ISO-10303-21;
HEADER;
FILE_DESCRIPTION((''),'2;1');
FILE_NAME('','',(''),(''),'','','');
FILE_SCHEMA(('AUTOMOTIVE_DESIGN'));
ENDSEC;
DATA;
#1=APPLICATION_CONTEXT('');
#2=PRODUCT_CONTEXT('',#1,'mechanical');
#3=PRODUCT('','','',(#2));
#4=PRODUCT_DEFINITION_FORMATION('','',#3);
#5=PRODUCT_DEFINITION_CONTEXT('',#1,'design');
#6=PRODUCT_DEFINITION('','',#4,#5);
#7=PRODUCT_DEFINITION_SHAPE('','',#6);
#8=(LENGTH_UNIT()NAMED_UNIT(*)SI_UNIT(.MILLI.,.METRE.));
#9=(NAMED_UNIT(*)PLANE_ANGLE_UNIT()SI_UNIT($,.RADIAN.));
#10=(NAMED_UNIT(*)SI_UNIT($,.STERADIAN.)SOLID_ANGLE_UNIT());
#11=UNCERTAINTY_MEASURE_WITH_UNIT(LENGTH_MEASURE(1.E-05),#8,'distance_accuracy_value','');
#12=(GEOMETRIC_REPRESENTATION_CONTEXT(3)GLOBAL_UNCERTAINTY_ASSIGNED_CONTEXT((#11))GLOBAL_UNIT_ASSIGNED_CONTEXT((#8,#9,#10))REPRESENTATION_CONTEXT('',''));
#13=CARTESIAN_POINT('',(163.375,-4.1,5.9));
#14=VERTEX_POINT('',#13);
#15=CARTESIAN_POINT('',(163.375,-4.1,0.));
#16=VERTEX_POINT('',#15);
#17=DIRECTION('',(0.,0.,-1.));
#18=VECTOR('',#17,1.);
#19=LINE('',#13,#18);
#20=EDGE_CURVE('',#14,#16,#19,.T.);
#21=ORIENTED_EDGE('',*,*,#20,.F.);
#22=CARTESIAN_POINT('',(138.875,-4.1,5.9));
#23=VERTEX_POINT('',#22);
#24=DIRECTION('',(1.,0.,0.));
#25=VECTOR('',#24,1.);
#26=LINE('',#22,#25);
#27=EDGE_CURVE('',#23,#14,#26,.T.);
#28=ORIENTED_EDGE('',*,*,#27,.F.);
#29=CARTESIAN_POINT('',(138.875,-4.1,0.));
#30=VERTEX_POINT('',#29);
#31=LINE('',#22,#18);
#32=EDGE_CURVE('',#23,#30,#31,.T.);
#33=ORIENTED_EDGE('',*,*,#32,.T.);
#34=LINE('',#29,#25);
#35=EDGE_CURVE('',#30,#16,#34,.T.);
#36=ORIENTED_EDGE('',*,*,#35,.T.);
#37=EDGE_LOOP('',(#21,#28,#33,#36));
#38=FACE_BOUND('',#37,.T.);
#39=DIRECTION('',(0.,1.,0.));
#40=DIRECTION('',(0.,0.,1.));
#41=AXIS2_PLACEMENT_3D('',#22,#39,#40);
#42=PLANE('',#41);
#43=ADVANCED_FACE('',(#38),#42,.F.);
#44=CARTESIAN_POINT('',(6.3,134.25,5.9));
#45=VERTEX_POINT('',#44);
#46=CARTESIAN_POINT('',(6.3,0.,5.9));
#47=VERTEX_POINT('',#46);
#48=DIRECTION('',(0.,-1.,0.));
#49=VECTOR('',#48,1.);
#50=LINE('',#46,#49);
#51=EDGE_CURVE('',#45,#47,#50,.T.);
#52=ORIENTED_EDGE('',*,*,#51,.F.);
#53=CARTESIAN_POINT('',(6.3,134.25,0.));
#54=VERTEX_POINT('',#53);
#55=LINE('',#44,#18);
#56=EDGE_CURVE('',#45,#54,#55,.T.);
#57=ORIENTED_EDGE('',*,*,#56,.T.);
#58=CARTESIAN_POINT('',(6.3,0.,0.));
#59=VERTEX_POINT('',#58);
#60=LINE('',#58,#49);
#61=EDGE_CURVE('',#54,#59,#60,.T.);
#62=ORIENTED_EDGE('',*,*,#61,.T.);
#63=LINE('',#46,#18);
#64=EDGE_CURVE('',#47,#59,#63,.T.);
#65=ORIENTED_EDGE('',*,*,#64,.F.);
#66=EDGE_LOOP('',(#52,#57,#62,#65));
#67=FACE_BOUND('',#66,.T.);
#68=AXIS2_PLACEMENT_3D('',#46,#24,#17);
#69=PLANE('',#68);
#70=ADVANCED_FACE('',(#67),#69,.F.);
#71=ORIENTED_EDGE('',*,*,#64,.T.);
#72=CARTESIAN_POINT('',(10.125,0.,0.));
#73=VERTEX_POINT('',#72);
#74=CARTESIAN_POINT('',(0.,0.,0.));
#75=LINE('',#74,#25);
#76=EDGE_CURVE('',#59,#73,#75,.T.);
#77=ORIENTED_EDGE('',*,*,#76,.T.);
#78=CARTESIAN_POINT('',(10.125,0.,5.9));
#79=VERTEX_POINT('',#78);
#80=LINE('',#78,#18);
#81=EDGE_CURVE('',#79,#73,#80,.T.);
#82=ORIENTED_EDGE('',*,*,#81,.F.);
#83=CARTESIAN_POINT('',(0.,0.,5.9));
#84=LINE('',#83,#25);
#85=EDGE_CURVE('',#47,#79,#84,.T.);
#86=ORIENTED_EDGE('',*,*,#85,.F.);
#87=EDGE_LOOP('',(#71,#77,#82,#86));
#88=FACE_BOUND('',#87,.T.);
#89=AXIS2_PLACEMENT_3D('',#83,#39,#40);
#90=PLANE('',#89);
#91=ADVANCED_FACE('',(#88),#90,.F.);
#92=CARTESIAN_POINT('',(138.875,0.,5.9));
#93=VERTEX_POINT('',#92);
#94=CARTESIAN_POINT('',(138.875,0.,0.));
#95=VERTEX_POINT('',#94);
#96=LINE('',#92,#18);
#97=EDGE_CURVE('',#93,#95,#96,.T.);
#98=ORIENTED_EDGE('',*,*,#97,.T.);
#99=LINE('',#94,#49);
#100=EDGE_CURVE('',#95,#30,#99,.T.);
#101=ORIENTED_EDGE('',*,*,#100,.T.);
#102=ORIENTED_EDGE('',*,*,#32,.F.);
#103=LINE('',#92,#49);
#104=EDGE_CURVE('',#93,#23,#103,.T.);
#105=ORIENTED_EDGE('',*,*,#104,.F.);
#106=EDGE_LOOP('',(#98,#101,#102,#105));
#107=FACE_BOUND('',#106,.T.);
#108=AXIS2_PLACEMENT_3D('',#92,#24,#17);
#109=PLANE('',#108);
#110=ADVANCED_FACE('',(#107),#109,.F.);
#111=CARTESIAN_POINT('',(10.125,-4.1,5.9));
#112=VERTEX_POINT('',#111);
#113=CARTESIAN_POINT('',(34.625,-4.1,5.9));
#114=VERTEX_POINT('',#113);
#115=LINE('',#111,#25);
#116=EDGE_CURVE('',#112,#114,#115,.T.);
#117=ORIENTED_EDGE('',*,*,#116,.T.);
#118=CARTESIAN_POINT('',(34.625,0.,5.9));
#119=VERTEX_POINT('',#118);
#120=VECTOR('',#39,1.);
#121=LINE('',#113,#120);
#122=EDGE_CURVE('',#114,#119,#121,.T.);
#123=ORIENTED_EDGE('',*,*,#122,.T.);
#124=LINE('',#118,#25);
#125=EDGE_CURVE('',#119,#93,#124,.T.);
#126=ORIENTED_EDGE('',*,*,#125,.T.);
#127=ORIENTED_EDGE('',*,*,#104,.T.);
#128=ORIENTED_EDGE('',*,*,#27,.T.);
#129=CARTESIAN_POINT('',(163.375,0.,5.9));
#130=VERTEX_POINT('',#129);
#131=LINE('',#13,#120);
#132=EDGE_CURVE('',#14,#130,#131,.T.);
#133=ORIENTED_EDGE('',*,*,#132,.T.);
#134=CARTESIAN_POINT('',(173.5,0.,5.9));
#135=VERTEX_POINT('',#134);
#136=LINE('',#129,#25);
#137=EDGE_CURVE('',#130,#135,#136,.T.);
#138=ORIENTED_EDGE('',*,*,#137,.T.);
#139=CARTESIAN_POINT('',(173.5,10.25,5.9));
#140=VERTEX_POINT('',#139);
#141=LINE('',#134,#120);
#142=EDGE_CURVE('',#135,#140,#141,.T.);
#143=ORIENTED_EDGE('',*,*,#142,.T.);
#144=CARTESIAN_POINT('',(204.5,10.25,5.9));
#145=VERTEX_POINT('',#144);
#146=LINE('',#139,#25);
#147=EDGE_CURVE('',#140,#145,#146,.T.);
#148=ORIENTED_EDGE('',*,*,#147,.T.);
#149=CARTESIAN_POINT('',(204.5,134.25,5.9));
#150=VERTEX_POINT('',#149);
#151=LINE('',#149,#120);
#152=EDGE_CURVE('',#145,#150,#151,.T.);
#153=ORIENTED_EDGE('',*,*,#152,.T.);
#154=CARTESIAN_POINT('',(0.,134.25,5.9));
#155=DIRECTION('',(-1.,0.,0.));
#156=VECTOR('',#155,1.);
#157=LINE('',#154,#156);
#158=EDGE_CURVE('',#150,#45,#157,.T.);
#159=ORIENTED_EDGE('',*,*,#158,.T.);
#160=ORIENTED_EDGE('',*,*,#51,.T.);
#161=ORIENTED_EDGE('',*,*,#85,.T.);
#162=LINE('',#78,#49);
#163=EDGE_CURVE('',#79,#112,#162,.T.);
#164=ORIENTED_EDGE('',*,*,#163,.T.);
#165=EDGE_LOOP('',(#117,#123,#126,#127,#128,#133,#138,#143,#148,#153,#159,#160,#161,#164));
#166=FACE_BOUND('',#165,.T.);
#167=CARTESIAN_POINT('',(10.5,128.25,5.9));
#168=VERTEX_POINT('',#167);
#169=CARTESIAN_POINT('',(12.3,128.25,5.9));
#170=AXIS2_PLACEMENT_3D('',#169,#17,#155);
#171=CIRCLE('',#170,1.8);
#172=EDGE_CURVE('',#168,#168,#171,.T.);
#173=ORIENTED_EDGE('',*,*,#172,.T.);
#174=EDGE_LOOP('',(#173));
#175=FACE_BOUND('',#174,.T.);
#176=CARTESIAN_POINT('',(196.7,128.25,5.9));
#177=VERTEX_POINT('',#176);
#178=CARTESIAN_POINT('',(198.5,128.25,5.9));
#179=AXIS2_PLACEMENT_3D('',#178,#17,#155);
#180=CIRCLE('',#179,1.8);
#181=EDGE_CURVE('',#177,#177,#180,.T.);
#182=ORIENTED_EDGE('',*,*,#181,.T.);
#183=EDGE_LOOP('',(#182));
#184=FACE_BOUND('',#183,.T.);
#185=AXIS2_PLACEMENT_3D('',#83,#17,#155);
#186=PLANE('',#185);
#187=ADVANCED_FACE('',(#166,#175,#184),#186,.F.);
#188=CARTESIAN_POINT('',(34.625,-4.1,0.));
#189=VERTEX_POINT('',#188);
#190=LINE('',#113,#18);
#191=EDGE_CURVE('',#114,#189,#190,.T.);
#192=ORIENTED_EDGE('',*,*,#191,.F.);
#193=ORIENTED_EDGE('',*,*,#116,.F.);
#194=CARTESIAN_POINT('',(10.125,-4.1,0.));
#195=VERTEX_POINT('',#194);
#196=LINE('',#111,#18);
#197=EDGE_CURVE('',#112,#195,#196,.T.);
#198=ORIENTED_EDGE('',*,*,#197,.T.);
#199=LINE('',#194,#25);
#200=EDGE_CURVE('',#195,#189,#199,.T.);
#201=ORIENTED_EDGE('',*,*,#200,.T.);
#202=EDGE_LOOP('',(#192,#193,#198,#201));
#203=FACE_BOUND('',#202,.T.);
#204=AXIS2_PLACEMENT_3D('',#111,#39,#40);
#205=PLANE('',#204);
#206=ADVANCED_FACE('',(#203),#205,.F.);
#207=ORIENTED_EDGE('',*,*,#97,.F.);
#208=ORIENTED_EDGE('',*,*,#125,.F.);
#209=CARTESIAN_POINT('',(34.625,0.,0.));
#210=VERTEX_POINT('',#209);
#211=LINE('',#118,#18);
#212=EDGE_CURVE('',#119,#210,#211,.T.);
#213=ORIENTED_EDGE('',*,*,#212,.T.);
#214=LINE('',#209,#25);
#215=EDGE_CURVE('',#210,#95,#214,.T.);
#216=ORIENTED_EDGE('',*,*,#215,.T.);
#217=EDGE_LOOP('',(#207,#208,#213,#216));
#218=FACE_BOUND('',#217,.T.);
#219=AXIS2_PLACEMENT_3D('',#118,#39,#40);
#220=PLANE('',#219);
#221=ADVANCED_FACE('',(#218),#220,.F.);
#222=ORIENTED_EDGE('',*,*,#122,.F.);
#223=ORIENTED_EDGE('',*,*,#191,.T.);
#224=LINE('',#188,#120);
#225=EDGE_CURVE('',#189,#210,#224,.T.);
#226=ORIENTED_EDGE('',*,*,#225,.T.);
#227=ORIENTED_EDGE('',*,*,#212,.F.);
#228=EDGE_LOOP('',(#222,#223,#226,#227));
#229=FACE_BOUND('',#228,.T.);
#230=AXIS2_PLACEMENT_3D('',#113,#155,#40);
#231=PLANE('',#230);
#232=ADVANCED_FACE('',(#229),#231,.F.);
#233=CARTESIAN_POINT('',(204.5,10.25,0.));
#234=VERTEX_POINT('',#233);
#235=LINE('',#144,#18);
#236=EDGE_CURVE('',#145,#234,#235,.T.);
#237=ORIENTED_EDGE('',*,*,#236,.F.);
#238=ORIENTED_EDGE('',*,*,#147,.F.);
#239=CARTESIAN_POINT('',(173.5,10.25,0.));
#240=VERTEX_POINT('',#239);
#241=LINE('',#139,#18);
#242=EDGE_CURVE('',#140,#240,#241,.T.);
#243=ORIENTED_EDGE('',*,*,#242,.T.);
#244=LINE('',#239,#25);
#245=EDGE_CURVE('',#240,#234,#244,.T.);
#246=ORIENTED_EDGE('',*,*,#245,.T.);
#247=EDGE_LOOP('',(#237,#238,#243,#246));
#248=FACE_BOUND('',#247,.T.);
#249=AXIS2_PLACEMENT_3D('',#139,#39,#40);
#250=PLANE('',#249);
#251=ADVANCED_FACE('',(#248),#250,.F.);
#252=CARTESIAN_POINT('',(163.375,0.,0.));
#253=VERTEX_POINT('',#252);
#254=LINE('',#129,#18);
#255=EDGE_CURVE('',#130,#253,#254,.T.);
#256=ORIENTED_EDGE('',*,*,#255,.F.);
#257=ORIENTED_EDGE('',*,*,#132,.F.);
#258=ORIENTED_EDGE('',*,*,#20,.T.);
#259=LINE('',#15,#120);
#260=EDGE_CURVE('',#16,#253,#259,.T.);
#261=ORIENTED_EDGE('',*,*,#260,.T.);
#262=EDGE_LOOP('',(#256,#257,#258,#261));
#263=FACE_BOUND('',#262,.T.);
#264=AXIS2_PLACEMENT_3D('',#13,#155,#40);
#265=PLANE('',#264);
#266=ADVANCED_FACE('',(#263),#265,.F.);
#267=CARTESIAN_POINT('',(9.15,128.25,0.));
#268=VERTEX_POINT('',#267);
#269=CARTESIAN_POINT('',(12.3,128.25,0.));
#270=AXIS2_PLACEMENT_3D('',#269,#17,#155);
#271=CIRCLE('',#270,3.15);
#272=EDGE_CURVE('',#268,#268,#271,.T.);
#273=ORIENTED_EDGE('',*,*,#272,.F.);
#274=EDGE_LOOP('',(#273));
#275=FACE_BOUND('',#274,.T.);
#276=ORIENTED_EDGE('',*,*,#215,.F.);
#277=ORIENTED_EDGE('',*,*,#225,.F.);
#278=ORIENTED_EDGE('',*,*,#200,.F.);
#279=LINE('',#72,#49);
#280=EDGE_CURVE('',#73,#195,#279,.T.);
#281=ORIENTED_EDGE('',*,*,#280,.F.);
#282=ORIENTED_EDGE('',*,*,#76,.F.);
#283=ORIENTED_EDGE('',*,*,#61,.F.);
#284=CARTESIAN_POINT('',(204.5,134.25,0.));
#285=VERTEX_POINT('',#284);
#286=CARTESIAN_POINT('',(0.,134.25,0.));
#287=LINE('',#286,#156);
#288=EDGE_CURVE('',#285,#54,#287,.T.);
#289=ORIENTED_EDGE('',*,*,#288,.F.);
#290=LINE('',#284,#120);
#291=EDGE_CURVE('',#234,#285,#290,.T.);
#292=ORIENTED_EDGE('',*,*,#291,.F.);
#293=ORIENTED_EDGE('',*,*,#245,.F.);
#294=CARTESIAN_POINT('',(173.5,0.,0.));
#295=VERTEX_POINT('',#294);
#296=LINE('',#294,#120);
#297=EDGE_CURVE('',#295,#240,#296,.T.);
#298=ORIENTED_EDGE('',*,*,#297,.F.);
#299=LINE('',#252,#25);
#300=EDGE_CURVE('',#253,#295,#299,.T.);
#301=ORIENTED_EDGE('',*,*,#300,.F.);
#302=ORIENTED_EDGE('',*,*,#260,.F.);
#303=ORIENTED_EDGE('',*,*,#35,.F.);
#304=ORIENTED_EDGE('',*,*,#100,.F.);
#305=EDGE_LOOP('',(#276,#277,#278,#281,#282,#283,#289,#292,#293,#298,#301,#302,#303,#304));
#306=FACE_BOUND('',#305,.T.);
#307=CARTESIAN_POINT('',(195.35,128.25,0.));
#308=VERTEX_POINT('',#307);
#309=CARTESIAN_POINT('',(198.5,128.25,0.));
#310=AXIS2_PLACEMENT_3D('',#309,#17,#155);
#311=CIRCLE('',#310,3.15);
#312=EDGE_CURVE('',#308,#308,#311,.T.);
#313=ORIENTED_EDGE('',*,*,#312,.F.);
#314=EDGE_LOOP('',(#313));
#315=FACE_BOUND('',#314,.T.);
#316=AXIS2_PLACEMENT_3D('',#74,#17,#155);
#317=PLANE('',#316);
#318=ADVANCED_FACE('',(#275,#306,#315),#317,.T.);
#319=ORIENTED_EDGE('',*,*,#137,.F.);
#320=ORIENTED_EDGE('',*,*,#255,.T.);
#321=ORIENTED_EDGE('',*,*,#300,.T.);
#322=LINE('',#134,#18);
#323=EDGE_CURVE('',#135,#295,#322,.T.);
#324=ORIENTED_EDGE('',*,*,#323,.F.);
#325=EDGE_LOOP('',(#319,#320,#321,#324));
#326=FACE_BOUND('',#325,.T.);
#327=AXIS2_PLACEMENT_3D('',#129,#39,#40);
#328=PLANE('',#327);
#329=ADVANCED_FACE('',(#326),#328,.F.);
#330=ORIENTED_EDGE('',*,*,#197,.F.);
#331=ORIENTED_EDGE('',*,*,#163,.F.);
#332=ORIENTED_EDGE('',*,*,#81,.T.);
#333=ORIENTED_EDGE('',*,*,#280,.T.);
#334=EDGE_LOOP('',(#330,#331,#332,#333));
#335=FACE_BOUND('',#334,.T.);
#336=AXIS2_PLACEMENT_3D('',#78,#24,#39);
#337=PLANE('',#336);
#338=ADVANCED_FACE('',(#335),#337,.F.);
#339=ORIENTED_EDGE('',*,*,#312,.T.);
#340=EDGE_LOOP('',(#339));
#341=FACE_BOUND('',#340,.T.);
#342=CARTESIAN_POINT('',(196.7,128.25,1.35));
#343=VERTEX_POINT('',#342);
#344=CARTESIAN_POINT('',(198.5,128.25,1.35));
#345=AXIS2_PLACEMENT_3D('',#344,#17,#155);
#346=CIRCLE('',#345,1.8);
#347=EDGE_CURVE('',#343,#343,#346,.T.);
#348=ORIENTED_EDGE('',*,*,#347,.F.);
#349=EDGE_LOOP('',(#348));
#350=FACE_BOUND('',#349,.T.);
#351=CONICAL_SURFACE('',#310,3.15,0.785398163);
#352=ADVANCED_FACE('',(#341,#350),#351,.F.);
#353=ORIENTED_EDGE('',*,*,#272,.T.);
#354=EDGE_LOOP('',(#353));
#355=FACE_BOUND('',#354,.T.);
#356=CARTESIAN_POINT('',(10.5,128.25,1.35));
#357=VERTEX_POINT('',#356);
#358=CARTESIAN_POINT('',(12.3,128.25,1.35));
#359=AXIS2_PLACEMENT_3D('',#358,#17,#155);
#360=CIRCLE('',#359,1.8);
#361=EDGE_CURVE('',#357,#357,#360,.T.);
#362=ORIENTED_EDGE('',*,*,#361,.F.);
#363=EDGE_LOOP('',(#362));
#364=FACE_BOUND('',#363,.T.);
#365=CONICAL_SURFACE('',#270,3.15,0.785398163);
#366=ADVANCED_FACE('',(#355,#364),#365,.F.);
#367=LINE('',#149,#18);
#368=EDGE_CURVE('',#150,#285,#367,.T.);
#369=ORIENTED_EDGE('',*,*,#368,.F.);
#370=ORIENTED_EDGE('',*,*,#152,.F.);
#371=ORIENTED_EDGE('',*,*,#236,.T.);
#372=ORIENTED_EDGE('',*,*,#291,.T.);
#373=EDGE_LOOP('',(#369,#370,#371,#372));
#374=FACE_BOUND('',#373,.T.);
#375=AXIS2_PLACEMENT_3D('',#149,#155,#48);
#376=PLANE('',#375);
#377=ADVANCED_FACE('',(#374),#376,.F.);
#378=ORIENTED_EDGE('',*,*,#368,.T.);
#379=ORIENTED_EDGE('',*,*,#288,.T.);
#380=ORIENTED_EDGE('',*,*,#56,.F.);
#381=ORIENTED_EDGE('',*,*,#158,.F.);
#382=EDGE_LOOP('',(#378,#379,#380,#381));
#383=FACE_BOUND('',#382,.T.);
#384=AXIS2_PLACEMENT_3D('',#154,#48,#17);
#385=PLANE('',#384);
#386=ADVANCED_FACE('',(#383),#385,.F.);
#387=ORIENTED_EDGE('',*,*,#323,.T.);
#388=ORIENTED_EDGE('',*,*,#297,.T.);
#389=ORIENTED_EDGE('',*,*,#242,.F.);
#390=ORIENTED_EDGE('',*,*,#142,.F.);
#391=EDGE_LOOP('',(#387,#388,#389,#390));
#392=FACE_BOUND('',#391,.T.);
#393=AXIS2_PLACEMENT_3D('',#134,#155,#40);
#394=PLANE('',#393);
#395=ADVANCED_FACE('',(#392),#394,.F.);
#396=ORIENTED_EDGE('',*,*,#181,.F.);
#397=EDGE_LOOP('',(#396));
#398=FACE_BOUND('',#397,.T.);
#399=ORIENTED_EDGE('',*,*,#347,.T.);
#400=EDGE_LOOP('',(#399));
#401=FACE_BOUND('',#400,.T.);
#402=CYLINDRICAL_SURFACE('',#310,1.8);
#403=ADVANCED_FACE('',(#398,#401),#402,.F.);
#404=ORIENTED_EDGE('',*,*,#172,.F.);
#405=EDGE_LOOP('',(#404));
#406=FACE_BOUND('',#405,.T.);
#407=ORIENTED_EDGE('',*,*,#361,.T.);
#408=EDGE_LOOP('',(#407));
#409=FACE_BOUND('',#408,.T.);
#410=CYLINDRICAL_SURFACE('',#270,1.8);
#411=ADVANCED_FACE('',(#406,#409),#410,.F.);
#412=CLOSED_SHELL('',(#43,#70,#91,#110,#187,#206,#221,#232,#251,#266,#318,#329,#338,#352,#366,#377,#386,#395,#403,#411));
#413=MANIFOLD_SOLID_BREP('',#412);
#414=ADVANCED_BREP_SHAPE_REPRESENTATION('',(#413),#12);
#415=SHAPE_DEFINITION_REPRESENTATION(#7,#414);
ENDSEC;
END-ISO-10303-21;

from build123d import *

# Parameters (mm, degrees)
BOSS_EXTRUDE1_DEPTH                             = 5.9
MOVE_FACE1_BY                                   = 6.3
CSK_FOR_M3_FLAT_HEAD_MACHINE_SCREW2_D           = 3.6
CSK_FOR_M3_FLAT_HEAD_MACHINE_SCREW2_CSINK_D     = 6.3
CSK_FOR_M3_FLAT_HEAD_MACHINE_SCREW2_CSINK_ANGLE = 90


with BuildPart() as part:
    # Sketch1 → Boss-Extrude1 (new body)
    with BuildSketch(Plane.XY):
        Polygon((0, 0), (10.125, 0), (10.125, -4.1), (34.625, -4.1), (34.625, 0), (138.875, 0), (138.875, -4.1), (163.375, -4.1), (163.375, 0), (173.5, 0), (173.5, 10.25), (204.5, 10.25), (204.5, 134.25), (0, 134.25), align=None)
    extrude(amount=BOSS_EXTRUDE1_DEPTH)

    # Move Face1: a face moved inward by 6.3
    extrude(part.faces().sort_by_distance((0, 67.125, 2.95))[0], amount=MOVE_FACE1_BY, dir=(1, 0, 0), mode=Mode.SUBTRACT)

    # CSK for M3 Flat Head Machine Screw2 (through all)
    with Locations(Plane(origin=(0, 0, 0), x_dir=(-1, 0, 0), z_dir=(0, 0, -1))):
        with Locations((-198.5, 128.25), (-12.3, 128.25)):
            CounterSinkHole(CSK_FOR_M3_FLAT_HEAD_MACHINE_SCREW2_D / 2, CSK_FOR_M3_FLAT_HEAD_MACHINE_SCREW2_CSINK_D / 2, counter_sink_angle=CSK_FOR_M3_FLAT_HEAD_MACHINE_SCREW2_CSINK_ANGLE)


solid = part.part
